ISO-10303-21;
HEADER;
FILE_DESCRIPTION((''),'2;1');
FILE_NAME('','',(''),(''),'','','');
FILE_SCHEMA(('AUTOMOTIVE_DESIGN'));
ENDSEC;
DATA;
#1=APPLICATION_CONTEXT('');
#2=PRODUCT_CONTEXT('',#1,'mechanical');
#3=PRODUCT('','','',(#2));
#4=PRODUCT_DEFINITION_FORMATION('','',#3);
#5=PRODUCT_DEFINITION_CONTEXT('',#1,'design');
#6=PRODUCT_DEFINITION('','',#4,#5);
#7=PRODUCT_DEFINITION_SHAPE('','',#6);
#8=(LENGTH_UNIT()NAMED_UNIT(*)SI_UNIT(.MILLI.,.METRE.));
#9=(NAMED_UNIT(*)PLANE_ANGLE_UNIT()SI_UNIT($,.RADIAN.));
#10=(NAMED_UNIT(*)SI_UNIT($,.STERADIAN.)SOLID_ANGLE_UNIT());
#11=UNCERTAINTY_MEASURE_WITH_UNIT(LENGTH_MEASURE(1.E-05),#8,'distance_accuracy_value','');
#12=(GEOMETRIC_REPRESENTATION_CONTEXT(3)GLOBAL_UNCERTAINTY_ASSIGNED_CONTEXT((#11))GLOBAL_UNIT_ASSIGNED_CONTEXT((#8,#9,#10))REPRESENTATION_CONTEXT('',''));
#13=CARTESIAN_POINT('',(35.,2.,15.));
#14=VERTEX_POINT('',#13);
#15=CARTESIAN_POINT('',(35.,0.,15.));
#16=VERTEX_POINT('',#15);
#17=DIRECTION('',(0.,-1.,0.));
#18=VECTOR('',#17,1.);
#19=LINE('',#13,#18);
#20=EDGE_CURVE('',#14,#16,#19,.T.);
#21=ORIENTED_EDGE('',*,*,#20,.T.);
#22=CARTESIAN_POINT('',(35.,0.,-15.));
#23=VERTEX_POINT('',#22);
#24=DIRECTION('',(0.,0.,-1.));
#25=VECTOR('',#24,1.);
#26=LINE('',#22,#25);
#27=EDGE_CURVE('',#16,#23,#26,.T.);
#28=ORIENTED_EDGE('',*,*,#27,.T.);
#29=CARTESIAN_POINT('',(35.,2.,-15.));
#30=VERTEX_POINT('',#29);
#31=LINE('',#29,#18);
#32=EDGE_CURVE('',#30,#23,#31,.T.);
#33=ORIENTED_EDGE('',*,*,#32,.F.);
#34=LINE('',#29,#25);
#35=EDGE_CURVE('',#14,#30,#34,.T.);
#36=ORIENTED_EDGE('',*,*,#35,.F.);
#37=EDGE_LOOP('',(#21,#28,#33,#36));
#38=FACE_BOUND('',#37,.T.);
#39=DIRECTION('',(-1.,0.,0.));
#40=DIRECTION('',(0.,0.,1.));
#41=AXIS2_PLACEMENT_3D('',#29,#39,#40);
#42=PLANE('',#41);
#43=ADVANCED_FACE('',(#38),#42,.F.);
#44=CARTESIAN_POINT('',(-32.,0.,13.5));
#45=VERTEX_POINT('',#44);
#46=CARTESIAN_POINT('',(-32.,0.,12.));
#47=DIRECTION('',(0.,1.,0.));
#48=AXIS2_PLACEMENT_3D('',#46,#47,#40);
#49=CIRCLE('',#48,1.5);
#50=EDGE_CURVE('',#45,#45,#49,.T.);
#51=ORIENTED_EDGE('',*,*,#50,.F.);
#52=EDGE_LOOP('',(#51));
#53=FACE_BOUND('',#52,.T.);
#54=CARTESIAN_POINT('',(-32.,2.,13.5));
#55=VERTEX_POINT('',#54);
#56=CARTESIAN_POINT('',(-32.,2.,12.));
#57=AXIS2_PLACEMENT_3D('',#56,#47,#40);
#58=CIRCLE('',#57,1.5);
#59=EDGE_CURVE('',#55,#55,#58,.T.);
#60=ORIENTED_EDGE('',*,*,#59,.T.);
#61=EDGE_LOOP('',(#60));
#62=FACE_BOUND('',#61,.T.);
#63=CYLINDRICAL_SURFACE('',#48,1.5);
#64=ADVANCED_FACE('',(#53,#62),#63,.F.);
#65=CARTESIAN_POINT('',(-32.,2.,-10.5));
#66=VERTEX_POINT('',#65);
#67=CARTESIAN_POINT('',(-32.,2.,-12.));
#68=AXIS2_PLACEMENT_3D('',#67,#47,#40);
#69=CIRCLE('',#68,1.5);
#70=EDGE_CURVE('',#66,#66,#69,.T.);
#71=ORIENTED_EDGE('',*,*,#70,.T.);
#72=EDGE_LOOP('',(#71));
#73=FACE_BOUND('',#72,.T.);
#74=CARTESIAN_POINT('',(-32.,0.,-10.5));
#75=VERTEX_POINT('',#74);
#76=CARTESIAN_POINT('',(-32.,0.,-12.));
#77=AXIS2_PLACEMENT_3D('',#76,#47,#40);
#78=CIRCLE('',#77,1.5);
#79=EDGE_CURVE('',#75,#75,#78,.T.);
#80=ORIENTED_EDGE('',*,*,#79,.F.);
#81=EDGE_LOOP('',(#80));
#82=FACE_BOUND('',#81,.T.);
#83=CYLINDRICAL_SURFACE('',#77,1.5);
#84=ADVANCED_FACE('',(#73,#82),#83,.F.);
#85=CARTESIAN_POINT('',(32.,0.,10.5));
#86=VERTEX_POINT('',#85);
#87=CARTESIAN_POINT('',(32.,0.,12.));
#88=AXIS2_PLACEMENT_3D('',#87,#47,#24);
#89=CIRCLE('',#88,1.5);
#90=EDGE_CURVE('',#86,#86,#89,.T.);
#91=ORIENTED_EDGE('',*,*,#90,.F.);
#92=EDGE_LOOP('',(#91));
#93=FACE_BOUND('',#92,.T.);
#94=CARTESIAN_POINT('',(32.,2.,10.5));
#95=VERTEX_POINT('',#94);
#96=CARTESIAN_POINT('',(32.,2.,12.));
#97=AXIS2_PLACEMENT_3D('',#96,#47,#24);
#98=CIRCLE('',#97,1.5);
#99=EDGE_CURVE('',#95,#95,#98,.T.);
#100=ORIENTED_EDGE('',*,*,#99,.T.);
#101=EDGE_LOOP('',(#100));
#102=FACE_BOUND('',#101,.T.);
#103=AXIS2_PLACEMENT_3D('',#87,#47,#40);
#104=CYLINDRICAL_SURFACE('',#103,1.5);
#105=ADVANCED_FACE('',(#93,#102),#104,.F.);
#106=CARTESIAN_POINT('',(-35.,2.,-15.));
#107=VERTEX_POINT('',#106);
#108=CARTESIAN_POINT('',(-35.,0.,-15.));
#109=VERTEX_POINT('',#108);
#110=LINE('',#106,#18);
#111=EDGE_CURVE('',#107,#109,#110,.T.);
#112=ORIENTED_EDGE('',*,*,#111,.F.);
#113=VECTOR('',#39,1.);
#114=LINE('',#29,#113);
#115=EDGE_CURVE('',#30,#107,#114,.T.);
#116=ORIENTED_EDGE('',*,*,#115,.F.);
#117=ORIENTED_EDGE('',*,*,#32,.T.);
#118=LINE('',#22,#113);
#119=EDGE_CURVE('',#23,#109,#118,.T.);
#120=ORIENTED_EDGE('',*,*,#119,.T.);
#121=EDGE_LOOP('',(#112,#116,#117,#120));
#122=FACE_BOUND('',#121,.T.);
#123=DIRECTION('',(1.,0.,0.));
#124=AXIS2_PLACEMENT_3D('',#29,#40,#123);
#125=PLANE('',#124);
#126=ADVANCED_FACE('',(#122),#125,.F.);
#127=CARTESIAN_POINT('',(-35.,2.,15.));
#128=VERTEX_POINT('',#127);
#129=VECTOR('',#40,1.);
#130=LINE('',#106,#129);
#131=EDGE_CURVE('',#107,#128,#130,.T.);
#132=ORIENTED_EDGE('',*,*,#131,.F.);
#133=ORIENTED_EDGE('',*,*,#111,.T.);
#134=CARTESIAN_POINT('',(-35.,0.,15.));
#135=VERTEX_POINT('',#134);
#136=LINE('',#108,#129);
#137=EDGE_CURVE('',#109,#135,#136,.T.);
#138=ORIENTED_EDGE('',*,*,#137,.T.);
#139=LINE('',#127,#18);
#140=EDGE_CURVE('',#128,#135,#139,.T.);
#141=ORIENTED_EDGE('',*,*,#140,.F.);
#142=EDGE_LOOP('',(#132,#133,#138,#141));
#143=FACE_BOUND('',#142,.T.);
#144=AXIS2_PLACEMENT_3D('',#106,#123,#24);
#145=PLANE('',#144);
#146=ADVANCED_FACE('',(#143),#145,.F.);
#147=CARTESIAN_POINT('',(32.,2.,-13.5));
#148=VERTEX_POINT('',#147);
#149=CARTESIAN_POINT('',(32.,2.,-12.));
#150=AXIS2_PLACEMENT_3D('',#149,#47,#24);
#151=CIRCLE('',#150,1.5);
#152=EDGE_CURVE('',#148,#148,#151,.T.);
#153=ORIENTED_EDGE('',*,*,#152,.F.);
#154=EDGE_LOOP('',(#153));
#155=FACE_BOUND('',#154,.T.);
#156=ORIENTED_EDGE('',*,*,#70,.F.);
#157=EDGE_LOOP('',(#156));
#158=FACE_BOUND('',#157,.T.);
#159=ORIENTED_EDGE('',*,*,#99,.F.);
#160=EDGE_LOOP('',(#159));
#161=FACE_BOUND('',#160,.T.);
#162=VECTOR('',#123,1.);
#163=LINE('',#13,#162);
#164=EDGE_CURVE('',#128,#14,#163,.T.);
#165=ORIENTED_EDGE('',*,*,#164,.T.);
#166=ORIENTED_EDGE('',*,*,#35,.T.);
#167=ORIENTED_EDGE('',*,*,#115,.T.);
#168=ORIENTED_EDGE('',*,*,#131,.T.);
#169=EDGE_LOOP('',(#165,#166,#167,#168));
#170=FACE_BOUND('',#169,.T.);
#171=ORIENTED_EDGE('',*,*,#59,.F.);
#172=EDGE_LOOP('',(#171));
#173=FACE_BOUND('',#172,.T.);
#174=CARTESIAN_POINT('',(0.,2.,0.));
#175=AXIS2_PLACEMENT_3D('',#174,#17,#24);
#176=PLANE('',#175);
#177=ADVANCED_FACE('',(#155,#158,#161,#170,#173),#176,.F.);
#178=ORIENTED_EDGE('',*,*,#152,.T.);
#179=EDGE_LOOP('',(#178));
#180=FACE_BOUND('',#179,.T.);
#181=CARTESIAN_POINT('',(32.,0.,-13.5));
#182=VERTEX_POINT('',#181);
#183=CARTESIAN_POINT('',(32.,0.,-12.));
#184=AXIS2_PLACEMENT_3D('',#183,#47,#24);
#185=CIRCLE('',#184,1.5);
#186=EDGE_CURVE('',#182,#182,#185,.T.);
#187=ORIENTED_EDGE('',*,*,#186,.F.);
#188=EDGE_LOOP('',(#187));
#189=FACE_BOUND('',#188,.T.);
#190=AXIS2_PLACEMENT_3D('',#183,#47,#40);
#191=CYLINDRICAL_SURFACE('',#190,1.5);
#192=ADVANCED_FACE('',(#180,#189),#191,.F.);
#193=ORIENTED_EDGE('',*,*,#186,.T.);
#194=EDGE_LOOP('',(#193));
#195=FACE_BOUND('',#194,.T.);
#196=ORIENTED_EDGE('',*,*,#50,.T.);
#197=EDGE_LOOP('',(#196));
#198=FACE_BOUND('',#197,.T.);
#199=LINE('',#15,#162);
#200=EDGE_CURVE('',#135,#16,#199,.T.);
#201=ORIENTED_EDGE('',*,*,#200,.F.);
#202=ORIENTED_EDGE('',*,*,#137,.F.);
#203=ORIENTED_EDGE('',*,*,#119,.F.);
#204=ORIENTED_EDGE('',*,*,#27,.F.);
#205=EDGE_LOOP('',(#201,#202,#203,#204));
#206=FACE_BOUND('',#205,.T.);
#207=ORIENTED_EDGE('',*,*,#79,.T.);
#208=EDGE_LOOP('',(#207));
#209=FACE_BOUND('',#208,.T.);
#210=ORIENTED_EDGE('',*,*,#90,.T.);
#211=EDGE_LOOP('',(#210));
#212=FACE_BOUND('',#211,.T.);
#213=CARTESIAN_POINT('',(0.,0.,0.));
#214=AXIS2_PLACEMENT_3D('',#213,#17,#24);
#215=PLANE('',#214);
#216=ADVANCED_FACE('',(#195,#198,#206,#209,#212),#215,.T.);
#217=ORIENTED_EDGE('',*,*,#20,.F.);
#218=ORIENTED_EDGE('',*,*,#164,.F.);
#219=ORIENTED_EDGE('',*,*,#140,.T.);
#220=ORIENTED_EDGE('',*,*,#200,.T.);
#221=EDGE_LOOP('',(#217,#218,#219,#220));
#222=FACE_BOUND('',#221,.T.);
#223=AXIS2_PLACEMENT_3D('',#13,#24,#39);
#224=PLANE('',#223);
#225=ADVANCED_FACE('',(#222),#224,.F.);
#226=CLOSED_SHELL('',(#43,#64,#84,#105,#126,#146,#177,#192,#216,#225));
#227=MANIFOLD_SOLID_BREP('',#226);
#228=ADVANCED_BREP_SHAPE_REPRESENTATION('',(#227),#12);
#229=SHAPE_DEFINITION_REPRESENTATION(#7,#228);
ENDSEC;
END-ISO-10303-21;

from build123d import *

# Parameters (mm, degrees)
SKETCH1_W           = 70
SKETCH1_H           = 30
BOSS_EXTRUDE1_DEPTH = 2
SKETCH2_R           = 1.5
CUT_EXTRUDE1_DEPTH  = 2


with BuildPart() as part:
    # Sketch1 → Boss-Extrude1 (new body)
    with BuildSketch(Plane(origin=(0, 0, 0), x_dir=(1, 0, 0), z_dir=(0, 1, 0))):
        Rectangle(SKETCH1_W, SKETCH1_H)
    extrude(amount=BOSS_EXTRUDE1_DEPTH)

    # Sketch2 → Cut-Extrude1 (cut)
    with BuildSketch(Plane(origin=(0, 2, 0), x_dir=(1, 0, 0), z_dir=(0, 1, 0))):
        with Locations((-32, 12)):
            Circle(SKETCH2_R)
        with Locations((-32, -12)):
            Circle(SKETCH2_R)
        with Locations((32, -12)):
            Circle(SKETCH2_R)
        with Locations((32, 12)):
            Circle(SKETCH2_R)
    extrude(amount=-CUT_EXTRUDE1_DEPTH, mode=Mode.SUBTRACT)


solid = part.part
